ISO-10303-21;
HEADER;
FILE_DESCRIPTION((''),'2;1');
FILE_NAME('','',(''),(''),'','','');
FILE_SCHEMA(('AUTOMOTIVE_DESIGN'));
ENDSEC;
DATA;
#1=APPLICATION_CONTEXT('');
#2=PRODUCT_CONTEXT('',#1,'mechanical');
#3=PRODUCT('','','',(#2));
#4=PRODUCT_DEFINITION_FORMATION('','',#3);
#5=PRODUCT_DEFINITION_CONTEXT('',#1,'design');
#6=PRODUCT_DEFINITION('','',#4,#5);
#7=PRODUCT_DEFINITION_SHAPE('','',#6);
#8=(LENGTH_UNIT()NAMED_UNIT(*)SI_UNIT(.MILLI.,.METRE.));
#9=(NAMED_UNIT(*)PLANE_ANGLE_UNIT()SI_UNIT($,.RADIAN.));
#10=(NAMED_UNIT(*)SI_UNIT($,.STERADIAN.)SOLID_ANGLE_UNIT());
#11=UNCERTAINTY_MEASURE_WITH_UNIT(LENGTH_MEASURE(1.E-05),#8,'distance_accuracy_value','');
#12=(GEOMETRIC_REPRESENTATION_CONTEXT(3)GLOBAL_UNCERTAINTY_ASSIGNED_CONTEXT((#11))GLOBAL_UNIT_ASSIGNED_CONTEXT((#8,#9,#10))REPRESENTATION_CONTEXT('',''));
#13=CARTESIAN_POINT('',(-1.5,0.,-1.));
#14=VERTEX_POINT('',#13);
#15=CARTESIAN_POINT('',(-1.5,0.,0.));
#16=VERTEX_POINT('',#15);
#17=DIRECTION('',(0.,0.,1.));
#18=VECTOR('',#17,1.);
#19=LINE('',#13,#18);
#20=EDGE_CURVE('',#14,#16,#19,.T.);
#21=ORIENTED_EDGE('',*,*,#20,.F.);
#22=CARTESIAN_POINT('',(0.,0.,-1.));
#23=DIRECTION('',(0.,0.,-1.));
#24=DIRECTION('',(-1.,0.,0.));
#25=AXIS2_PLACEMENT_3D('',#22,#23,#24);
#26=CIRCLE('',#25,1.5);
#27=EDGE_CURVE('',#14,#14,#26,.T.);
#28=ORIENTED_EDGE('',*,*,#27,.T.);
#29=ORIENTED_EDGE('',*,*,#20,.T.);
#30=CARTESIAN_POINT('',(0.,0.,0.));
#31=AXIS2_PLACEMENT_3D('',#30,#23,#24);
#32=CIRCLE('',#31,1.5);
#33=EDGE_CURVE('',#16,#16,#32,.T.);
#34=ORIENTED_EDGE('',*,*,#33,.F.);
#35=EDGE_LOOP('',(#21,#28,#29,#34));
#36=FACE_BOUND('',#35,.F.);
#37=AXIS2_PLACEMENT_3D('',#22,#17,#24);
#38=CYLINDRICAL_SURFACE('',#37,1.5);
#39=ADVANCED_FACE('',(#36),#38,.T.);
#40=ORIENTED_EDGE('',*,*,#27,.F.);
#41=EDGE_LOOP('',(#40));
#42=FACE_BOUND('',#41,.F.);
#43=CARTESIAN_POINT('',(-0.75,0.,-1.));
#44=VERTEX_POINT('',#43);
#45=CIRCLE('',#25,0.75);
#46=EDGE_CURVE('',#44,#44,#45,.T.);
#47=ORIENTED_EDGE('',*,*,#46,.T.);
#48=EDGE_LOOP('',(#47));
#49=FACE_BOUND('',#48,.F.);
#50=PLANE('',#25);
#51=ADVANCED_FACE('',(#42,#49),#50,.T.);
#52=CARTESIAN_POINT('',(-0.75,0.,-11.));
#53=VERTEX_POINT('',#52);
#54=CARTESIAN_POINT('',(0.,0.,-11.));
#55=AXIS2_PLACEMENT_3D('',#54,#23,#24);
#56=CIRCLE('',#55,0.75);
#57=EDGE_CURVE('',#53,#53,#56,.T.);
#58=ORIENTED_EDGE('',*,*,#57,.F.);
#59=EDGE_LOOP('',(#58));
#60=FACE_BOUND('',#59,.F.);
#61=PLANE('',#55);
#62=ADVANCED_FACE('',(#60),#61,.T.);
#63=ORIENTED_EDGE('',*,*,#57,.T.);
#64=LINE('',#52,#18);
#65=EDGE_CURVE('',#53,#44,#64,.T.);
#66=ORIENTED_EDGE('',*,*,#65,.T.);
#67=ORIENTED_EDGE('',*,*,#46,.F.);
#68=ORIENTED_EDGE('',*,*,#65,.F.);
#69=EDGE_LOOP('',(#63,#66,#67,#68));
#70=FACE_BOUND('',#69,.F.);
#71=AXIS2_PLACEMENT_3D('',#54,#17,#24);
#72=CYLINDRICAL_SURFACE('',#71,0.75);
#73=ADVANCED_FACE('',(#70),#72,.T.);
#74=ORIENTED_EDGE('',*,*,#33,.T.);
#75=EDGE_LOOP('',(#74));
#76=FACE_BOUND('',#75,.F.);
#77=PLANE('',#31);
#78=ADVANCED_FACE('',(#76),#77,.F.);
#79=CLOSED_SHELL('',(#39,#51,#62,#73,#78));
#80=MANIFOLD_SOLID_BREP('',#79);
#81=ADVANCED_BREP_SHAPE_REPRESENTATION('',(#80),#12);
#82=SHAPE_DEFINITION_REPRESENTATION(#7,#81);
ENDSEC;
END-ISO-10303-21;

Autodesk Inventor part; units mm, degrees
ref_plane "YZ Plane" through (0, 0, 0) normal (1, 0, 0) x (0, 1, 0)
ref_plane "XZ Plane" through (0, 0, 0) normal (0, 1, 0) x (-1, 0, 0)
ref_plane "XY Plane" through (0, 0, 0) normal (0, 0, 1) x (1, 0, 0)
sketch "Sketch1" plane through (0, 0, 0) normal (0, 1, 0) x (-1, 0, 0)
  line L0 (0, 0) -> (0, -11)
  line L1 (0.75, -1) -> (1.5, -1)
  line L2 (1.5, -1) -> (1.5, 0)
  line L3 (1.5, 0) -> (0, 0)
  line L4 (0, -11) -> (0.75, -11)
  line L5 (0.75, -11) -> (0.75, -1)
  dimension "d230" = 1
  dimension "d231" = 3
  dimension "d233" = 10
  dimension "d236" = 1.5
revolve "Revolution1" add sketch "Sketch1" angle 360 about axis through (0, 0, 0) along (0, 0, -1)
properties part number "Langbektang houder" material "Steel, Mild"
